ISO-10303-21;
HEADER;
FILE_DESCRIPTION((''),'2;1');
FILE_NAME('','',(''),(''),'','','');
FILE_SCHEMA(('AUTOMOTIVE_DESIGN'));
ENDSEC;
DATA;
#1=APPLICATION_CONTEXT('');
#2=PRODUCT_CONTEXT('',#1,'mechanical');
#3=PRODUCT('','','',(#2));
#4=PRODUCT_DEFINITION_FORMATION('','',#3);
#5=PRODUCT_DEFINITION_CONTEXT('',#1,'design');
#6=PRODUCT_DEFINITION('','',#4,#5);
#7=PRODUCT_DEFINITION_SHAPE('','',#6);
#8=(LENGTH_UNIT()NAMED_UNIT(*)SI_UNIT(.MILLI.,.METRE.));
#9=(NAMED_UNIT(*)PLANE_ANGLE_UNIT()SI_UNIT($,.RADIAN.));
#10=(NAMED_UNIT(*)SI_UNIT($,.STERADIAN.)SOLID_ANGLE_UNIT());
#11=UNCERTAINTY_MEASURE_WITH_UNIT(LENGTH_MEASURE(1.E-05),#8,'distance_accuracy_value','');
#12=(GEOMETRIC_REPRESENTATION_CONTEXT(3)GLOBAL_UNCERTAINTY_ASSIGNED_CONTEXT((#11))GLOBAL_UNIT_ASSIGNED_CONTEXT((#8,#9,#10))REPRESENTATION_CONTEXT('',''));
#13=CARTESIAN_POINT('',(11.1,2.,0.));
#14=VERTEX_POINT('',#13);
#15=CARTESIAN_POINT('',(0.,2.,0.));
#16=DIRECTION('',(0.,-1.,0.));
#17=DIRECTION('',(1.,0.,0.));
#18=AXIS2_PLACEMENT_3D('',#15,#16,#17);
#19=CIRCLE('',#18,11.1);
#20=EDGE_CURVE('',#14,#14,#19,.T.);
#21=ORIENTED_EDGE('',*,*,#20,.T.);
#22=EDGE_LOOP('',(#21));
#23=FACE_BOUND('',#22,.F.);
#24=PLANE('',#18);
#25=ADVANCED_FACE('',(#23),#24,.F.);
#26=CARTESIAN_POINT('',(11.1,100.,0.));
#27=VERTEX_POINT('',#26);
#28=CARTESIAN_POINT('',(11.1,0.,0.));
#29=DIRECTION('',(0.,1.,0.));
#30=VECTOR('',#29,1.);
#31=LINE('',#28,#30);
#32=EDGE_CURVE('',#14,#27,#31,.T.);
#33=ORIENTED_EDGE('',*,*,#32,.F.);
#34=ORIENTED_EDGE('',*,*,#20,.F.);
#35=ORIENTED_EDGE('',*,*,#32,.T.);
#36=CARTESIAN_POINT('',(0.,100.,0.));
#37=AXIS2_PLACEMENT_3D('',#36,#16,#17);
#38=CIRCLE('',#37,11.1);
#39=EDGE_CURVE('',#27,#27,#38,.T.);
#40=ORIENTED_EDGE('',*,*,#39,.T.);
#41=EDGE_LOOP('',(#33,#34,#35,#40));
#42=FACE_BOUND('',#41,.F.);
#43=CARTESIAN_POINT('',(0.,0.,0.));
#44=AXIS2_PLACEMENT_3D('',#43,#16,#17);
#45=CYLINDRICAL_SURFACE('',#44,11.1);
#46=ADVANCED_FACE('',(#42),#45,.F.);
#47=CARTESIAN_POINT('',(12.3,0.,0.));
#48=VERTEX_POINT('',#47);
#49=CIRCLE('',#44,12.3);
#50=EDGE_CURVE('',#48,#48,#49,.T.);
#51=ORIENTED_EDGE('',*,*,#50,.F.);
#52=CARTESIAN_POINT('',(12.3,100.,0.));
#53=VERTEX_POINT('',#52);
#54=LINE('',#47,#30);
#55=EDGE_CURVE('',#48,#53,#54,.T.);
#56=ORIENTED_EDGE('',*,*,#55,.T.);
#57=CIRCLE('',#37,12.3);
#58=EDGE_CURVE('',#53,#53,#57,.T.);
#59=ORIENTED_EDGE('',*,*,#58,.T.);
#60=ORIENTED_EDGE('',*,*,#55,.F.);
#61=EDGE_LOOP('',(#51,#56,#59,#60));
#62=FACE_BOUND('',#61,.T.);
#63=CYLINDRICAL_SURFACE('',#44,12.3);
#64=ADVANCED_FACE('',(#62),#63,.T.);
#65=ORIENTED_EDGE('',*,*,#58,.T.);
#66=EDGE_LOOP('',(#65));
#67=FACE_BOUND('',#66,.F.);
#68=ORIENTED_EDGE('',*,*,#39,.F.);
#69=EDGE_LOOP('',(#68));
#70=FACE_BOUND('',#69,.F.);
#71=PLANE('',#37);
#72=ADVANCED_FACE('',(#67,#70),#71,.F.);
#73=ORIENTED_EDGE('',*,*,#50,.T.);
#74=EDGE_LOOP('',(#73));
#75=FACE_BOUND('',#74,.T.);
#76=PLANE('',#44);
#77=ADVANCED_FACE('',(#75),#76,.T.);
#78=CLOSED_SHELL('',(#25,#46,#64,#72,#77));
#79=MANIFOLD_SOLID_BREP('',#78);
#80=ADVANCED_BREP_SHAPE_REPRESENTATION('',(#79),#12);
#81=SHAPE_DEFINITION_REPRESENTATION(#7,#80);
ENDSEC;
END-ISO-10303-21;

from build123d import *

# Parameters (mm, degrees)
F0_R     = 12.3
F0_R_2   = 11.1
F1_DEPTH = 100
F2_DEPTH = 2


with BuildPart() as f1:
    # F0 (on Front) → F1 (new body)
    with BuildSketch(Plane.XZ):
        Circle(F0_R)
        Circle(F0_R_2, mode=Mode.SUBTRACT)
    extrude(amount=-F1_DEPTH)

    # F0 (on Front) → F2 (join)
    with BuildSketch(Plane.XZ):
        Circle(F0_R_2)
    extrude(amount=-F2_DEPTH)


solid = f1.part
